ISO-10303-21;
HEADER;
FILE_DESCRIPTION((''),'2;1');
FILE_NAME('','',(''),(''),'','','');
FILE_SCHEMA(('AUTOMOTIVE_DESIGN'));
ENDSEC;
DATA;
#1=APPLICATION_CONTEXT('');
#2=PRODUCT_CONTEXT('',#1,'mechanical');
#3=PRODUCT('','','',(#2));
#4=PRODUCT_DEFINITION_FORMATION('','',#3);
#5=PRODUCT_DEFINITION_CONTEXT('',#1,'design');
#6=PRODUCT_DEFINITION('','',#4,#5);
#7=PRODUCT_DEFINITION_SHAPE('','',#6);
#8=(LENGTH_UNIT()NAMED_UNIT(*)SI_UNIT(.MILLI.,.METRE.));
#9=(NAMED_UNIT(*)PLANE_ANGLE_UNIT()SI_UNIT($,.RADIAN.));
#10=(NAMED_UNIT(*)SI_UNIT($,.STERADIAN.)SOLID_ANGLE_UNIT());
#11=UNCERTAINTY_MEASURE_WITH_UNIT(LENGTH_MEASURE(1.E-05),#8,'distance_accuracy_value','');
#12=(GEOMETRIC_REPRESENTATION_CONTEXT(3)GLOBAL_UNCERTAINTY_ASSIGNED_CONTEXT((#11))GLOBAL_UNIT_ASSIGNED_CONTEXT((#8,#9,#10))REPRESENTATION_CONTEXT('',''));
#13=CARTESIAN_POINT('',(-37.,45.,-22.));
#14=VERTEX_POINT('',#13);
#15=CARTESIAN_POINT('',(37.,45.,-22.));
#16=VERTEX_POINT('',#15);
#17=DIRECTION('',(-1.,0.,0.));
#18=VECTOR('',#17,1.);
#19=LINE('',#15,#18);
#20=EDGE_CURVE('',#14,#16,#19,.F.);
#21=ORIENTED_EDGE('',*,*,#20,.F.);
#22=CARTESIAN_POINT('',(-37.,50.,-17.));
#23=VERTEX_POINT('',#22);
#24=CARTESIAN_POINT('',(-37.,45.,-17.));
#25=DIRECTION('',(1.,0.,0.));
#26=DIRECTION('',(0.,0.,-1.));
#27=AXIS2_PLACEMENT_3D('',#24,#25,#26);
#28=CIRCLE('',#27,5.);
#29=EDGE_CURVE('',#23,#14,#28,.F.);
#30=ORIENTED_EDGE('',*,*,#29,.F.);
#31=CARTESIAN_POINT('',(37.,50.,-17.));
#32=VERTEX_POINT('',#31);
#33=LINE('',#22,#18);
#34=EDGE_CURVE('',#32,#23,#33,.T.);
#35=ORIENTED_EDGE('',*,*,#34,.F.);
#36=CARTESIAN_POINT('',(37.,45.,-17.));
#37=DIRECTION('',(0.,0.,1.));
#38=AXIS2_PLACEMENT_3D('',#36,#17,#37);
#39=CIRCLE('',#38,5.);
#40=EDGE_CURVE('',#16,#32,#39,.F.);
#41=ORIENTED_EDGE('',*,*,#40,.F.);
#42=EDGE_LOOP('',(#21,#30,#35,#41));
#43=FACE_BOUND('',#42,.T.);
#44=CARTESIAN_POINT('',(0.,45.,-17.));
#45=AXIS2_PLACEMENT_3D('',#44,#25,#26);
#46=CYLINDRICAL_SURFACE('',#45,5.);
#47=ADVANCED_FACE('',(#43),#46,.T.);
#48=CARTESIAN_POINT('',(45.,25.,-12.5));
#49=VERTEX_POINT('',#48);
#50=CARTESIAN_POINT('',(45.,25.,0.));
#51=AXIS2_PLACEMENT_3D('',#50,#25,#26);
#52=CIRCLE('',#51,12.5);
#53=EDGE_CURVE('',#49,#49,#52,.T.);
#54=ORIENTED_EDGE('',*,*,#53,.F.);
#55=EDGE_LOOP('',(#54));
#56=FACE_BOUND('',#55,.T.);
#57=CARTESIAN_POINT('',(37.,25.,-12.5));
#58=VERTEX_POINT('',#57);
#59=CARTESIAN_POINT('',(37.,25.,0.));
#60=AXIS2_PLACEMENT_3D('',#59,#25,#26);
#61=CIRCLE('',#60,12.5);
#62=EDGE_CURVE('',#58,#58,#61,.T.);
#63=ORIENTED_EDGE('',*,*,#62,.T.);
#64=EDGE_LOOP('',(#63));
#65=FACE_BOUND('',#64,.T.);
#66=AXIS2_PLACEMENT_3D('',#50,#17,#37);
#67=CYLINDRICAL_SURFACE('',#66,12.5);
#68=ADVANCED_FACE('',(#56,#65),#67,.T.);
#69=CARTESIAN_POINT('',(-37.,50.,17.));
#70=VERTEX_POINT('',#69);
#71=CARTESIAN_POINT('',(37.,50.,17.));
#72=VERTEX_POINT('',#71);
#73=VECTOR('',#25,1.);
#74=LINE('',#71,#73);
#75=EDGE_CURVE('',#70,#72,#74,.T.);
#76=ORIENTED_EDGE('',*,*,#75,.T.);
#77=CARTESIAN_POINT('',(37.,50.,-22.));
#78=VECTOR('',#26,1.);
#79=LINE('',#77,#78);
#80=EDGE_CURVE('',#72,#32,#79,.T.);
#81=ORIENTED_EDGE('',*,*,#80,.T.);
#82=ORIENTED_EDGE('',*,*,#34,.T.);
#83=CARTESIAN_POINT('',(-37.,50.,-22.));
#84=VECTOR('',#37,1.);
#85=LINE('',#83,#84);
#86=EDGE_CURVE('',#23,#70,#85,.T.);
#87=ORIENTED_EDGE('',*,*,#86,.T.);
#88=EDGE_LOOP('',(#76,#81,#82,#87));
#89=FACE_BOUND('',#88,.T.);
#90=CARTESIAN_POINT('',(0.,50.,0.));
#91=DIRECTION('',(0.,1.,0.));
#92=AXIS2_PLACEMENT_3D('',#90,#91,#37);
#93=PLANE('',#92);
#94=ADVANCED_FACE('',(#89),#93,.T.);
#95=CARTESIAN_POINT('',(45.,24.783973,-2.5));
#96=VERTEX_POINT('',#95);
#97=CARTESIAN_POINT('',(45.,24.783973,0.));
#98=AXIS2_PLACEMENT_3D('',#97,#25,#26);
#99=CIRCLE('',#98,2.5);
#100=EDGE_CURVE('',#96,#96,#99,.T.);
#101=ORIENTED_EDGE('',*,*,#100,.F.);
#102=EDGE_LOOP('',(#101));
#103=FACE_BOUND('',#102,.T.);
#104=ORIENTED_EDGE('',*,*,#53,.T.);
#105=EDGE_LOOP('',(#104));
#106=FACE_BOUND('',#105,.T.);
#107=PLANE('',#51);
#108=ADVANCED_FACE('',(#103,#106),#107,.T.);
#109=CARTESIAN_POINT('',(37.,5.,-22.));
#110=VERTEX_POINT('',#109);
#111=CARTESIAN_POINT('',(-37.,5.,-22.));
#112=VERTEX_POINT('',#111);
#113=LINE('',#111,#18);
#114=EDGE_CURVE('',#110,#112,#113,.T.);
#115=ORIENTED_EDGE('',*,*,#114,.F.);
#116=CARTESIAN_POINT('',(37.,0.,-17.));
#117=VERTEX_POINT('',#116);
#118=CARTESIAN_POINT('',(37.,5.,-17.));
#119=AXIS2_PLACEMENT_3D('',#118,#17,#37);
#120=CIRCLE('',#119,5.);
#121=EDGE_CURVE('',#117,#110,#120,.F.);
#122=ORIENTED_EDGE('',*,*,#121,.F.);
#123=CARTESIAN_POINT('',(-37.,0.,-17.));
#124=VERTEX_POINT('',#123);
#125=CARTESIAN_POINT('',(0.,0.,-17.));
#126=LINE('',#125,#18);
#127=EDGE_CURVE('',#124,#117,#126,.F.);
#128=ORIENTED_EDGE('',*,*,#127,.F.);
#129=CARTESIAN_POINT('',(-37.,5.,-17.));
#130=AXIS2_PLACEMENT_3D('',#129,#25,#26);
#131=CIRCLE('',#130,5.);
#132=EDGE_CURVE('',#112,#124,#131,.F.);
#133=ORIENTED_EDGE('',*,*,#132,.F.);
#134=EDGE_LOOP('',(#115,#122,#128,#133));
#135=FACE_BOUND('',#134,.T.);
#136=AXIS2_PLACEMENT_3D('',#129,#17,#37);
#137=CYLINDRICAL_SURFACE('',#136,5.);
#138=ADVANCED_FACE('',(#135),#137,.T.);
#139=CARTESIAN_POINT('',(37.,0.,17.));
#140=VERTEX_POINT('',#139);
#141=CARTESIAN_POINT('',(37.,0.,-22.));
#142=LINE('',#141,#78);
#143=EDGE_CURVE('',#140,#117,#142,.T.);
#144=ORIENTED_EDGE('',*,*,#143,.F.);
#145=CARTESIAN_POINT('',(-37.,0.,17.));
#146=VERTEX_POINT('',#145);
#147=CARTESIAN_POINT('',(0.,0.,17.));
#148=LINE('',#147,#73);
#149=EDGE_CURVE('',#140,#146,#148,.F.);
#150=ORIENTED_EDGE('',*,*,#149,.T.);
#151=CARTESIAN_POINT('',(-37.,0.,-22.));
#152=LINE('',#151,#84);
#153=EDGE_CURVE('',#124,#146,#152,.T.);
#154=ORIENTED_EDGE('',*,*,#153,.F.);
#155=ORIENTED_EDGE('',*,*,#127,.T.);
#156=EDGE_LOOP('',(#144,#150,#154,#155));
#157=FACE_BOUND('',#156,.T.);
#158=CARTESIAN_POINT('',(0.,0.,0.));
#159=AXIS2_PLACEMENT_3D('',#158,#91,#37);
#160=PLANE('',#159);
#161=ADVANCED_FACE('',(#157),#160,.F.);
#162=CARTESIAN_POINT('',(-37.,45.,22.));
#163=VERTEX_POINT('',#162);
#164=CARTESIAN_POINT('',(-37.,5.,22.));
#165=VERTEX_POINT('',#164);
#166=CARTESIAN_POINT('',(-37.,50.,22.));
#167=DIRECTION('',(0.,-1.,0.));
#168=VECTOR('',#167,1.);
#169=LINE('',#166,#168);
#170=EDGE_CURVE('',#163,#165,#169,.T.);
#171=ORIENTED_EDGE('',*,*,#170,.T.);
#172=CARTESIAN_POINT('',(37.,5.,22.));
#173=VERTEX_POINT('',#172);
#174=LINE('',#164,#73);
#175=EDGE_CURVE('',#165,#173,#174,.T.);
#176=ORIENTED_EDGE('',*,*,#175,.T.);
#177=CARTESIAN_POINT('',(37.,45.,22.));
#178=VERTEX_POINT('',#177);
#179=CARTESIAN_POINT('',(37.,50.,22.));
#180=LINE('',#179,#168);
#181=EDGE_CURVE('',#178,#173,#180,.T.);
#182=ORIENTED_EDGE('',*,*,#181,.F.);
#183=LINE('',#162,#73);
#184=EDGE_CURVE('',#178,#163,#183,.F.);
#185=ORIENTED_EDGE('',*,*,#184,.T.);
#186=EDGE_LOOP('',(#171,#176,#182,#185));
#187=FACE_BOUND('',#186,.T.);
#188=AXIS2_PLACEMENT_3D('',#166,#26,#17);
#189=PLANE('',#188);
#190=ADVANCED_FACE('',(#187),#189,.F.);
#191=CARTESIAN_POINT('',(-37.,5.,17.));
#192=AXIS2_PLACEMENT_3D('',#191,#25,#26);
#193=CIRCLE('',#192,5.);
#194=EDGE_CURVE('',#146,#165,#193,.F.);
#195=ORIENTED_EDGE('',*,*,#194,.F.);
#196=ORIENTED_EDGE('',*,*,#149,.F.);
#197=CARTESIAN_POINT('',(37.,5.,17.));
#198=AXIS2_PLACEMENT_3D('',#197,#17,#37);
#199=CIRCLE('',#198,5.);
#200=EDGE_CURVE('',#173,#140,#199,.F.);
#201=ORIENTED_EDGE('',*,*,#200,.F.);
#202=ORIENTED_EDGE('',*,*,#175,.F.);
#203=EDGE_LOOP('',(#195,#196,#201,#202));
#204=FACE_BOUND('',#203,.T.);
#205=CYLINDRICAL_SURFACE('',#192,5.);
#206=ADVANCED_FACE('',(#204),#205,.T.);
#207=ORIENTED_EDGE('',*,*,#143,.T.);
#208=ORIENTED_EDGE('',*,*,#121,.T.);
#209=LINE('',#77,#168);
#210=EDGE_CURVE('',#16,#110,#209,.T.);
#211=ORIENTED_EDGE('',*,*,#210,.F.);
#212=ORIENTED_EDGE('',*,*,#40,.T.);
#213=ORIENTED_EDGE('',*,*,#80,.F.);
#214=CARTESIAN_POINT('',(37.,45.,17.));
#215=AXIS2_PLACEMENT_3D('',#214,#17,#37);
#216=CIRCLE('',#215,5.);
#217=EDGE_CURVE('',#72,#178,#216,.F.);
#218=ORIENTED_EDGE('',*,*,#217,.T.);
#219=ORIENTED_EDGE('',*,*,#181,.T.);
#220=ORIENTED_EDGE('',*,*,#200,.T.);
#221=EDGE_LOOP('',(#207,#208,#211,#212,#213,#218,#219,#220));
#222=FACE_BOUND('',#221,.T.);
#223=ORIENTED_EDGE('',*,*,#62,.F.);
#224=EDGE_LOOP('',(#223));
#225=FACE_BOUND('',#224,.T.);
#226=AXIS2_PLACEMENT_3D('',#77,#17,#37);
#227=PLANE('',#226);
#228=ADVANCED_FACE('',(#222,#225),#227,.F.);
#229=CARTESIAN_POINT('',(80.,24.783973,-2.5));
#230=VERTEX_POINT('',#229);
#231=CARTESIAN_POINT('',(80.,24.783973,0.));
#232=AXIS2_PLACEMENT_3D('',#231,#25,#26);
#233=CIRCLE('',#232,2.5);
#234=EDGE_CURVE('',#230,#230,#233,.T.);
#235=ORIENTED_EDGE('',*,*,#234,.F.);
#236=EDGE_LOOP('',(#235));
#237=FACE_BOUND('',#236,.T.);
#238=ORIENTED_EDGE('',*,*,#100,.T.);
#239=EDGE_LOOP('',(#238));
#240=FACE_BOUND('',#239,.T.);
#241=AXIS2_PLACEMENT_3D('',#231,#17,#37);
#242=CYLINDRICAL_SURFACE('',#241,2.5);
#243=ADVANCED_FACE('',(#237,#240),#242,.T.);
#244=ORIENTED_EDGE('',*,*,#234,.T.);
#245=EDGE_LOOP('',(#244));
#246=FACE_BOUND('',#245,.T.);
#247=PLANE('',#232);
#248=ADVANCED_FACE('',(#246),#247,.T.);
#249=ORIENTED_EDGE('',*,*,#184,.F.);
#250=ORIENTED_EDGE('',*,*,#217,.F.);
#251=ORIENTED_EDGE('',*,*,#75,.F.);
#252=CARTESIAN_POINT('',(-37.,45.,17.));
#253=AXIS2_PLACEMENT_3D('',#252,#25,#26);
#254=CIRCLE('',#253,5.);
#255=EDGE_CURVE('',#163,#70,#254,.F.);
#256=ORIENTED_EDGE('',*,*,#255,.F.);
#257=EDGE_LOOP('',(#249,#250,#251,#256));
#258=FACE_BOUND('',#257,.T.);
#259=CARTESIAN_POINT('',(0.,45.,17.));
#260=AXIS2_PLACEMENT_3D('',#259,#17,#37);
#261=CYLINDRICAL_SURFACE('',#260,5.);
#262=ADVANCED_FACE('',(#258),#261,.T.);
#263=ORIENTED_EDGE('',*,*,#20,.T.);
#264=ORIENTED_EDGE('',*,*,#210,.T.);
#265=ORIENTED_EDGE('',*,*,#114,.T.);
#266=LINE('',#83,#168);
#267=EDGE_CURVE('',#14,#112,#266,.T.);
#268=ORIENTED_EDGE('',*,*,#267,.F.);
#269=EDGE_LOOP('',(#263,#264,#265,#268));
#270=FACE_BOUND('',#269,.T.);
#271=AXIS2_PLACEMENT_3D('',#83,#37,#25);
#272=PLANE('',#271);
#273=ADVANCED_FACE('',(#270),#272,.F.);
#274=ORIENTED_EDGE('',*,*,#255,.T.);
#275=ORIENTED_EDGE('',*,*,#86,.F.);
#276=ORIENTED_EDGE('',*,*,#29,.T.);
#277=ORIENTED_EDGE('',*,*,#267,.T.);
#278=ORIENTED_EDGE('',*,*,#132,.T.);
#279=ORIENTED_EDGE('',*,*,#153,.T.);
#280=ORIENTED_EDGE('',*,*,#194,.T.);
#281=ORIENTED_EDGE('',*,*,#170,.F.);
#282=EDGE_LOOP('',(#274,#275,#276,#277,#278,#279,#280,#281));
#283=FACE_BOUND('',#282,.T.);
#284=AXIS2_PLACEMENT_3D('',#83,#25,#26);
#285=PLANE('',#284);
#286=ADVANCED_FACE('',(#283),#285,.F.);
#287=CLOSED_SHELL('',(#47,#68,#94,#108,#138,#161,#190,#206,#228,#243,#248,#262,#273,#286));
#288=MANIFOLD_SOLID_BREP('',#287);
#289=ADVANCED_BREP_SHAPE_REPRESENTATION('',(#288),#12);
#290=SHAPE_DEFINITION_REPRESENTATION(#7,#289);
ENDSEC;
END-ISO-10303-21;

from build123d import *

# Parameters (mm, degrees)
SKETCH1_W           = 74
SKETCH1_H           = 44
BOSS_EXTRUDE1_DEPTH = 50
SKETCH2_R           = 12.5
BOSS_EXTRUDE2_DEPTH = 8
SKETCH3_R           = 2.5
BOSS_EXTRUDE3_DEPTH = 35
FILLET1_R           = 5


with BuildPart() as part:
    # Sketch1 → Boss-Extrude1 (new body)
    with BuildSketch(Plane(origin=(0, 0, 0), x_dir=(1, 0, 0), z_dir=(0, 1, 0))):
        Rectangle(SKETCH1_W, SKETCH1_H)
    extrude(amount=BOSS_EXTRUDE1_DEPTH)

    # Sketch2 → Boss-Extrude2 (add)
    with BuildSketch(Plane(origin=(37, 0, 0), x_dir=(0, 0, -1), z_dir=(1, 0, 0))):
        with Locations((0, 25)):
            Circle(SKETCH2_R)
    extrude(amount=BOSS_EXTRUDE2_DEPTH)

    # Sketch3 → Boss-Extrude3 (add)
    with BuildSketch(Plane(origin=(45, 0, 0), x_dir=(0, 0, -1), z_dir=(1, 0, 0))):
        with Locations((0, 24.783973011)):
            Circle(SKETCH3_R)
    extrude(amount=BOSS_EXTRUDE3_DEPTH)

    # Fillet1
    fillet1_edges = [part.edges().sort_by_distance(p)[0] for p in [
        (0, 50, 22),
        (0, 0, 22),
        (0, 0, -22),
        (0, 50, -22),
    ]]
    fillet(fillet1_edges, radius=FILLET1_R)


solid = part.part
